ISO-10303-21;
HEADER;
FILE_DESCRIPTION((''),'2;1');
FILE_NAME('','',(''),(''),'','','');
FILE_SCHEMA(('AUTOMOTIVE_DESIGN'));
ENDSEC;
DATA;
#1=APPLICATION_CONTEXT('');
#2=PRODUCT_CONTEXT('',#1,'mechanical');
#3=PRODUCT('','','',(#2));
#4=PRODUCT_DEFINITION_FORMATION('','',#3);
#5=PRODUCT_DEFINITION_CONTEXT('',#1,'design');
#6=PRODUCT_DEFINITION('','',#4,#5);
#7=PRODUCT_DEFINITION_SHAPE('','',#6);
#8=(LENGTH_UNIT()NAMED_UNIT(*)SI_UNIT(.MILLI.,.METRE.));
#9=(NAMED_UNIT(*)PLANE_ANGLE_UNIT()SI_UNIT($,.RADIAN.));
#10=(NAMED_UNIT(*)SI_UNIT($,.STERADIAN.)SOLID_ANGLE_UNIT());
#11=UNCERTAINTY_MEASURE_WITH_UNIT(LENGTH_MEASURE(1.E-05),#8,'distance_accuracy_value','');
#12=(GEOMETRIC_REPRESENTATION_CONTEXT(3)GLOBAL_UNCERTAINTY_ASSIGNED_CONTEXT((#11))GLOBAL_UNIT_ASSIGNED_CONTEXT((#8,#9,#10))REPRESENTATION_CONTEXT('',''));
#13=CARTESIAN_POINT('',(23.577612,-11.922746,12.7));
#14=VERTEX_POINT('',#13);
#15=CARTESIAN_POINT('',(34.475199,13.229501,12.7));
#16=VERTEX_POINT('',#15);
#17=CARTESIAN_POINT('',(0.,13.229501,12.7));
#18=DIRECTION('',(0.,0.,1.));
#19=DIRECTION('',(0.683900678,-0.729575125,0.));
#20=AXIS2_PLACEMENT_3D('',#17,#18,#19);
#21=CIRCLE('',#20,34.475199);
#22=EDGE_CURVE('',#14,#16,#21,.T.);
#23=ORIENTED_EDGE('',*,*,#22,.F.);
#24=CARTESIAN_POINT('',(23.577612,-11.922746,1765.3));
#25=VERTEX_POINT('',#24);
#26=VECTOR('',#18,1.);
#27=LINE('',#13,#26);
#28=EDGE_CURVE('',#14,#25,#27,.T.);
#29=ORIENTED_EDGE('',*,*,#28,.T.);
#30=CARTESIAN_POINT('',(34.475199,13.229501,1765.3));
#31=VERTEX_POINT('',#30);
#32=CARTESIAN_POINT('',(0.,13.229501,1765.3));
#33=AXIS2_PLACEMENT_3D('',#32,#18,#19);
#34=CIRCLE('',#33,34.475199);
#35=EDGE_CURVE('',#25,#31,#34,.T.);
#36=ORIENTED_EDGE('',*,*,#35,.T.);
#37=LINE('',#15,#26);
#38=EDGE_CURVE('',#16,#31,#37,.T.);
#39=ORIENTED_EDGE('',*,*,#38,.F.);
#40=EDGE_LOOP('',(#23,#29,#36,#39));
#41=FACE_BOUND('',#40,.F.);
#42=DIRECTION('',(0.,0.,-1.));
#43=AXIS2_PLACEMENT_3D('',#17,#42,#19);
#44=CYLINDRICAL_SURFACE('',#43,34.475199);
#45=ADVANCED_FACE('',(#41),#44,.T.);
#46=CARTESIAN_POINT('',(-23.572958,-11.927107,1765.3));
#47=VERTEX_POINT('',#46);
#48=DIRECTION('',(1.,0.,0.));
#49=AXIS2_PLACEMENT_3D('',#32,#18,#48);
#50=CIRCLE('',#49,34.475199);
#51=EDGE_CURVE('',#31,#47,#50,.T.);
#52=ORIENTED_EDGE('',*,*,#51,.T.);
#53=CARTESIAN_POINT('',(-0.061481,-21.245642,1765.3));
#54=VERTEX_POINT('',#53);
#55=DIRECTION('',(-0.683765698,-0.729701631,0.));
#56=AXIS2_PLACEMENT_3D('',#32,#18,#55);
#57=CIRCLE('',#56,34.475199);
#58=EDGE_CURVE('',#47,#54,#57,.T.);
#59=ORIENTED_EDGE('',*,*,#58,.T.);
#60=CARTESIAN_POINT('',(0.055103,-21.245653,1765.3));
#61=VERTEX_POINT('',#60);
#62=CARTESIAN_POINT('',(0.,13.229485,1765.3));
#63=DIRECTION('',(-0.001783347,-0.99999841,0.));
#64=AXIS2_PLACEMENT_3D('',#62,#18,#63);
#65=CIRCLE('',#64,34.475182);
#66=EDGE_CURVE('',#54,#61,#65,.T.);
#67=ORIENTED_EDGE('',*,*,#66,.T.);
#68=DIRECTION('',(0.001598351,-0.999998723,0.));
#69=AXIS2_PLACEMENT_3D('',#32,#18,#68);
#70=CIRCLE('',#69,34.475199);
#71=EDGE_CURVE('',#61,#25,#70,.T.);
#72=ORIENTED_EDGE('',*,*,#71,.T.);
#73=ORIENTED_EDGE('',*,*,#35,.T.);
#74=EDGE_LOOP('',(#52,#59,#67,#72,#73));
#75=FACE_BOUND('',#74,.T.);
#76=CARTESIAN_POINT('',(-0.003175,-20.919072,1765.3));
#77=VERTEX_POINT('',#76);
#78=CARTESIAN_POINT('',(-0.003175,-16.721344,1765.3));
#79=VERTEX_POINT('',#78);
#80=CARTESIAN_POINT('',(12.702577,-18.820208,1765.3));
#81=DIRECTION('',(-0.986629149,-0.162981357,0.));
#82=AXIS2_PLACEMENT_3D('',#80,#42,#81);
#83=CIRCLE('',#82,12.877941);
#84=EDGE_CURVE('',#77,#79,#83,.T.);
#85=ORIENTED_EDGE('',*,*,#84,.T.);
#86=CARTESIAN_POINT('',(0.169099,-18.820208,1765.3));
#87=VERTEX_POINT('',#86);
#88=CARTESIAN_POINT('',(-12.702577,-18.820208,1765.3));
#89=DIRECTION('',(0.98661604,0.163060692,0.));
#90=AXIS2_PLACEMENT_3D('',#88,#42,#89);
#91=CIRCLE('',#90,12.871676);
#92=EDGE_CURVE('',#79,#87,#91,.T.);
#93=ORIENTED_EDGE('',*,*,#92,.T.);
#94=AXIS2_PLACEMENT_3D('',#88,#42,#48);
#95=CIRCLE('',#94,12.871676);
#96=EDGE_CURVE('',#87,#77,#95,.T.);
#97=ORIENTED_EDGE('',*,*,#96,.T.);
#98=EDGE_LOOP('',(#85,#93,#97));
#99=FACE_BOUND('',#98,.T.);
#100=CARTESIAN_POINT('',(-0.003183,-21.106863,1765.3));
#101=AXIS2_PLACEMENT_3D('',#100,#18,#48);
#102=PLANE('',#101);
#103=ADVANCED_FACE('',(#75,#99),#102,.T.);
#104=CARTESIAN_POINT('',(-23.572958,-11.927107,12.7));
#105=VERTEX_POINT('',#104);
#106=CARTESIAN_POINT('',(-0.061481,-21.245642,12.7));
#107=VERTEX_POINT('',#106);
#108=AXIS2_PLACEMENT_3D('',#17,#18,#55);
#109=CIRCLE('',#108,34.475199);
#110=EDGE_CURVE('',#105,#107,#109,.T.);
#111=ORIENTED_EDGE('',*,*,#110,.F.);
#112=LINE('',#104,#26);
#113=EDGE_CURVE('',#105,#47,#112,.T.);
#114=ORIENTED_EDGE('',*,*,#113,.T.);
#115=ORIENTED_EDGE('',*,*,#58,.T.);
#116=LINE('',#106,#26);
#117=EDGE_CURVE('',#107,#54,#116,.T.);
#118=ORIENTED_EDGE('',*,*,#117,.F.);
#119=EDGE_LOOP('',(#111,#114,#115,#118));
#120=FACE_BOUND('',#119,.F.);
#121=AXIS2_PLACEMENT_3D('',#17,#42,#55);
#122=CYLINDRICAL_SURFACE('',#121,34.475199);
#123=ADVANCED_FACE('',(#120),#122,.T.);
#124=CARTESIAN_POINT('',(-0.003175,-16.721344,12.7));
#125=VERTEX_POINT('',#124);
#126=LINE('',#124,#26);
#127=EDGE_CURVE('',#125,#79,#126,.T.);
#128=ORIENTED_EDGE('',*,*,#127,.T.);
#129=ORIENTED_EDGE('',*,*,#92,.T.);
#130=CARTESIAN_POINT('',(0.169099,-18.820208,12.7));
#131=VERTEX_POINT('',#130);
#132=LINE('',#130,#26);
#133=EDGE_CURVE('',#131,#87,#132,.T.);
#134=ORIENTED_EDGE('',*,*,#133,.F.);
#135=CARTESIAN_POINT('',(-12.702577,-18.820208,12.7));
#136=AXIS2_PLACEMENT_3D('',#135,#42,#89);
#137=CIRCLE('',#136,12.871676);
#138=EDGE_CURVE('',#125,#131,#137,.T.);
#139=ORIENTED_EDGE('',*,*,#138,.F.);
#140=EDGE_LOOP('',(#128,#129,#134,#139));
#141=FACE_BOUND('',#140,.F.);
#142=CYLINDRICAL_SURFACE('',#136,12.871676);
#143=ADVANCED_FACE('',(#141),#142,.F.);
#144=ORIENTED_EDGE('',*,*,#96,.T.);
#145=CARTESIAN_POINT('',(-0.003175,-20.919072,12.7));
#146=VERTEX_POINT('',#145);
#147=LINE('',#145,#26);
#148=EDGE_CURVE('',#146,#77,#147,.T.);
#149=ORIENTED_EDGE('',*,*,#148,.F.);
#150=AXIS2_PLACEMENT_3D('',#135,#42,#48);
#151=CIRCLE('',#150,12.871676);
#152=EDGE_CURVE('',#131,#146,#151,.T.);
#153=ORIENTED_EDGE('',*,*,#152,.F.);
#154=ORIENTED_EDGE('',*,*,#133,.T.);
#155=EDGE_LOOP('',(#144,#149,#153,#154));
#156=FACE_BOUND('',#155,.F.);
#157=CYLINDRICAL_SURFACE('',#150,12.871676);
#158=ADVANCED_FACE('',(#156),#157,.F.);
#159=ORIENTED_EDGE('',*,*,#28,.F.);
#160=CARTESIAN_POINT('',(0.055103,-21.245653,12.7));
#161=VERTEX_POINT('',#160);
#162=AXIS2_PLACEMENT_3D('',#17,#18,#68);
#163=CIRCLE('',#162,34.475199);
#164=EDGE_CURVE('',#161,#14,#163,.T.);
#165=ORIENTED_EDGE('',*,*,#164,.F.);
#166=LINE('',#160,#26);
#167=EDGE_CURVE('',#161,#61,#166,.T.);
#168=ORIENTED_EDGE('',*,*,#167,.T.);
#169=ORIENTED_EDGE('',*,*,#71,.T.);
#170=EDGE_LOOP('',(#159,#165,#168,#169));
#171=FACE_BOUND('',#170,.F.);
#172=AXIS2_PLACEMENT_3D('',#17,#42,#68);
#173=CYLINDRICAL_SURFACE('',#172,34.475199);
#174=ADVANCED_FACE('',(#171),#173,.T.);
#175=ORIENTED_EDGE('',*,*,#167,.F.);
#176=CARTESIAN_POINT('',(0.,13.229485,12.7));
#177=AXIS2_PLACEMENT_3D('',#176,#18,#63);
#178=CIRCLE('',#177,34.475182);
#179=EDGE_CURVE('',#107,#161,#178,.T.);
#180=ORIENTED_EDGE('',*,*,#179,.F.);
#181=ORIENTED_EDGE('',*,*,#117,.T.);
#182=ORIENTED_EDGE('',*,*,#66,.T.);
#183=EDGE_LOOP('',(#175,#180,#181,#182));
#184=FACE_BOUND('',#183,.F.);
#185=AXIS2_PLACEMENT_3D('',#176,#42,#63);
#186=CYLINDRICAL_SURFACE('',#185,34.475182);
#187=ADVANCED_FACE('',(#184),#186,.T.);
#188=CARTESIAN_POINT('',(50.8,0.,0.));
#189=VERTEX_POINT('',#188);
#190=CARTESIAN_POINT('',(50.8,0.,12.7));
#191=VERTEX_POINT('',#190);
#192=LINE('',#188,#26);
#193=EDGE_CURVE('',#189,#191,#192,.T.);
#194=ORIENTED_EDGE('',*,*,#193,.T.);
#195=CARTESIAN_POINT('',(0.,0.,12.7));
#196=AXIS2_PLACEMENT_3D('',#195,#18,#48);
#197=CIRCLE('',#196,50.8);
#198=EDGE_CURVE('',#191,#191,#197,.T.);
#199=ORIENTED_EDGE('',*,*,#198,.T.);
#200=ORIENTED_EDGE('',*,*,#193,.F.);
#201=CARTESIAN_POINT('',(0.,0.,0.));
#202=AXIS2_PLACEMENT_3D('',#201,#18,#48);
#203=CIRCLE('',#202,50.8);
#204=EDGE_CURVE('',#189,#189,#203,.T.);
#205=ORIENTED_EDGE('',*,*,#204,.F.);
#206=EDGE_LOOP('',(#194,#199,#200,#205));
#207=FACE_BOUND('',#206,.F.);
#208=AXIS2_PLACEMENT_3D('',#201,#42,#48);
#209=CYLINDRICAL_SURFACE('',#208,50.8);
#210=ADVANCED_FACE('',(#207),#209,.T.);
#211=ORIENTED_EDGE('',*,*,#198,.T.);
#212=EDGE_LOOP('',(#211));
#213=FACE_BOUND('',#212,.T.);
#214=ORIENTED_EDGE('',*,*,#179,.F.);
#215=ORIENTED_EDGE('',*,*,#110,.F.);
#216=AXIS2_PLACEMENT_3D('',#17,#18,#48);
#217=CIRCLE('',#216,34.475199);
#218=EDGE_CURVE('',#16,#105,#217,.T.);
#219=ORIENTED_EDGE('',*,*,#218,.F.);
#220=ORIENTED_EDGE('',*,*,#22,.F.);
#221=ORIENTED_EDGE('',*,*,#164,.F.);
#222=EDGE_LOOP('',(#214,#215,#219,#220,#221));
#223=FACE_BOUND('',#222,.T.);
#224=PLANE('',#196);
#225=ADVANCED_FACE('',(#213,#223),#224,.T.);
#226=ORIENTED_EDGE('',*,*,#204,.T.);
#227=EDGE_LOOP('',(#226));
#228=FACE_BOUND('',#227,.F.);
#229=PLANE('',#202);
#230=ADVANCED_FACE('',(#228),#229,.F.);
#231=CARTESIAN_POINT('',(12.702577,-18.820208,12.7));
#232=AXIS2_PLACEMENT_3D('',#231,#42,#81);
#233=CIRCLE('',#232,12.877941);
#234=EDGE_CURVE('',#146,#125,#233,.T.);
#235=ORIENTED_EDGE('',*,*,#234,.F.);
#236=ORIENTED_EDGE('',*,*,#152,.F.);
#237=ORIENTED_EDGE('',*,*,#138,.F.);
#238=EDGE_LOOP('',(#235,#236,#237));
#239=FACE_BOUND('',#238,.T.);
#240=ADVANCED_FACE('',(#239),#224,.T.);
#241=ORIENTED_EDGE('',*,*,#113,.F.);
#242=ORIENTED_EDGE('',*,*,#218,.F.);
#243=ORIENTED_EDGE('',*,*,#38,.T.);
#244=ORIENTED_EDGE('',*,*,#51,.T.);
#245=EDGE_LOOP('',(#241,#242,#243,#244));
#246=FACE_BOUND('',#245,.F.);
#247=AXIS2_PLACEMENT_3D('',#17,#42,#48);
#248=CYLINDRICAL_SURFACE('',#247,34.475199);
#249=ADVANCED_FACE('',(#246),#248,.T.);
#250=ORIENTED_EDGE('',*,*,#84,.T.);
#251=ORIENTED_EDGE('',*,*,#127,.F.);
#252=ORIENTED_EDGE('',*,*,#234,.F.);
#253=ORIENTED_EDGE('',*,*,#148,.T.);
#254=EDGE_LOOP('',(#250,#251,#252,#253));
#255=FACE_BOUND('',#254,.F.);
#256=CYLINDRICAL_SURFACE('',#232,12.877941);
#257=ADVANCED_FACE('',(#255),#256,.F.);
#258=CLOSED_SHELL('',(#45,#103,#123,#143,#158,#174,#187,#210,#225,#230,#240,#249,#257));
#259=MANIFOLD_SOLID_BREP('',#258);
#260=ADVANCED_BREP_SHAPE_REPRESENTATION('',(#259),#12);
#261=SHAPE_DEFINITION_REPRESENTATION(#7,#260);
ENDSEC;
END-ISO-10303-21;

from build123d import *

# Parameters (mm, degrees)
F0_R     = 50.8
F1_DEPTH = 12.7
F3_DEPTH = 1752.6


with BuildPart() as f1:
    # F0 (on Top) → F1 (new body)
    with BuildSketch(Plane.XY):
        Circle(F0_R)
    extrude(amount=F1_DEPTH)

    # F2 (on face) → F3 (join)
    with BuildSketch(Plane.XY.offset(12.7)):
        with BuildLine():
            ThreePointArc((-0.0031752568, -20.9190722188), (-0.0312761161, -21.0825451789), (-0.06148119, -21.245642452))
            ThreePointArc((-0.06148119, -21.245642452), (-0.0031888656, -21.2456971257), (0.055103468, -21.2456532358))
            ThreePointArc((0.055103468, -21.2456532358), (0.024912457, -21.0825503951), (-0.0031752568, -20.9190722188))
        make_face()
        with BuildLine():
            ThreePointArc((23.5776117563, -11.9227459757), (31.6337017768, -0.4762724508), (34.4751987068, 13.2295014337))
            ThreePointArc((34.4751987068, 13.2295014337), (-13.7086998604, 44.861935327), (-23.5729583189, -11.92710728))
            ThreePointArc((-23.5729583189, -11.92710728), (-10.1369376903, -6.2068210975), (-0.0031752568, -16.7213435918))
            ThreePointArc((-0.0031752568, -16.7213435918), (10.1345978143, -6.2009032292), (23.5776117563, -11.9227459757))
        make_face()
        with BuildLine():
            ThreePointArc((-0.0031752568, -16.7213435918), (-10.1369376903, -6.2068210975), (-23.5729583189, -11.92710728))
            ThreePointArc((-23.5729583189, -11.92710728), (-12.7025767923, -18.8202079053), (-0.06148119, -21.245642452))
            ThreePointArc((-0.06148119, -21.245642452), (-0.0312761161, -21.0825451789), (-0.0031752568, -20.9190722188))
            ThreePointArc((-0.0031752568, -20.9190722188), (-0.1753642908, -18.8202079053), (-0.0031752568, -16.7213435918))
        make_face()
        with BuildLine():
            ThreePointArc((0.055103468, -21.2456532358), (12.7025767923, -18.8202079053), (23.5776117563, -11.9227459757))
            ThreePointArc((23.5776117563, -11.9227459757), (10.1345978143, -6.2009032292), (-0.0031752568, -16.7213435918))
            ThreePointArc((-0.0031752568, -16.7213435918), (0.1259579382, -17.7672466366), (0.1690987306, -18.8202079053))
            ThreePointArc((0.1690987306, -18.8202079053), (0.1259579382, -19.873169174), (-0.0031752568, -20.9190722188))
            ThreePointArc((-0.0031752568, -20.9190722188), (0.024912457, -21.0825503951), (0.055103468, -21.2456532358))
        make_face()
    extrude(amount=F3_DEPTH)


solid = f1.part
